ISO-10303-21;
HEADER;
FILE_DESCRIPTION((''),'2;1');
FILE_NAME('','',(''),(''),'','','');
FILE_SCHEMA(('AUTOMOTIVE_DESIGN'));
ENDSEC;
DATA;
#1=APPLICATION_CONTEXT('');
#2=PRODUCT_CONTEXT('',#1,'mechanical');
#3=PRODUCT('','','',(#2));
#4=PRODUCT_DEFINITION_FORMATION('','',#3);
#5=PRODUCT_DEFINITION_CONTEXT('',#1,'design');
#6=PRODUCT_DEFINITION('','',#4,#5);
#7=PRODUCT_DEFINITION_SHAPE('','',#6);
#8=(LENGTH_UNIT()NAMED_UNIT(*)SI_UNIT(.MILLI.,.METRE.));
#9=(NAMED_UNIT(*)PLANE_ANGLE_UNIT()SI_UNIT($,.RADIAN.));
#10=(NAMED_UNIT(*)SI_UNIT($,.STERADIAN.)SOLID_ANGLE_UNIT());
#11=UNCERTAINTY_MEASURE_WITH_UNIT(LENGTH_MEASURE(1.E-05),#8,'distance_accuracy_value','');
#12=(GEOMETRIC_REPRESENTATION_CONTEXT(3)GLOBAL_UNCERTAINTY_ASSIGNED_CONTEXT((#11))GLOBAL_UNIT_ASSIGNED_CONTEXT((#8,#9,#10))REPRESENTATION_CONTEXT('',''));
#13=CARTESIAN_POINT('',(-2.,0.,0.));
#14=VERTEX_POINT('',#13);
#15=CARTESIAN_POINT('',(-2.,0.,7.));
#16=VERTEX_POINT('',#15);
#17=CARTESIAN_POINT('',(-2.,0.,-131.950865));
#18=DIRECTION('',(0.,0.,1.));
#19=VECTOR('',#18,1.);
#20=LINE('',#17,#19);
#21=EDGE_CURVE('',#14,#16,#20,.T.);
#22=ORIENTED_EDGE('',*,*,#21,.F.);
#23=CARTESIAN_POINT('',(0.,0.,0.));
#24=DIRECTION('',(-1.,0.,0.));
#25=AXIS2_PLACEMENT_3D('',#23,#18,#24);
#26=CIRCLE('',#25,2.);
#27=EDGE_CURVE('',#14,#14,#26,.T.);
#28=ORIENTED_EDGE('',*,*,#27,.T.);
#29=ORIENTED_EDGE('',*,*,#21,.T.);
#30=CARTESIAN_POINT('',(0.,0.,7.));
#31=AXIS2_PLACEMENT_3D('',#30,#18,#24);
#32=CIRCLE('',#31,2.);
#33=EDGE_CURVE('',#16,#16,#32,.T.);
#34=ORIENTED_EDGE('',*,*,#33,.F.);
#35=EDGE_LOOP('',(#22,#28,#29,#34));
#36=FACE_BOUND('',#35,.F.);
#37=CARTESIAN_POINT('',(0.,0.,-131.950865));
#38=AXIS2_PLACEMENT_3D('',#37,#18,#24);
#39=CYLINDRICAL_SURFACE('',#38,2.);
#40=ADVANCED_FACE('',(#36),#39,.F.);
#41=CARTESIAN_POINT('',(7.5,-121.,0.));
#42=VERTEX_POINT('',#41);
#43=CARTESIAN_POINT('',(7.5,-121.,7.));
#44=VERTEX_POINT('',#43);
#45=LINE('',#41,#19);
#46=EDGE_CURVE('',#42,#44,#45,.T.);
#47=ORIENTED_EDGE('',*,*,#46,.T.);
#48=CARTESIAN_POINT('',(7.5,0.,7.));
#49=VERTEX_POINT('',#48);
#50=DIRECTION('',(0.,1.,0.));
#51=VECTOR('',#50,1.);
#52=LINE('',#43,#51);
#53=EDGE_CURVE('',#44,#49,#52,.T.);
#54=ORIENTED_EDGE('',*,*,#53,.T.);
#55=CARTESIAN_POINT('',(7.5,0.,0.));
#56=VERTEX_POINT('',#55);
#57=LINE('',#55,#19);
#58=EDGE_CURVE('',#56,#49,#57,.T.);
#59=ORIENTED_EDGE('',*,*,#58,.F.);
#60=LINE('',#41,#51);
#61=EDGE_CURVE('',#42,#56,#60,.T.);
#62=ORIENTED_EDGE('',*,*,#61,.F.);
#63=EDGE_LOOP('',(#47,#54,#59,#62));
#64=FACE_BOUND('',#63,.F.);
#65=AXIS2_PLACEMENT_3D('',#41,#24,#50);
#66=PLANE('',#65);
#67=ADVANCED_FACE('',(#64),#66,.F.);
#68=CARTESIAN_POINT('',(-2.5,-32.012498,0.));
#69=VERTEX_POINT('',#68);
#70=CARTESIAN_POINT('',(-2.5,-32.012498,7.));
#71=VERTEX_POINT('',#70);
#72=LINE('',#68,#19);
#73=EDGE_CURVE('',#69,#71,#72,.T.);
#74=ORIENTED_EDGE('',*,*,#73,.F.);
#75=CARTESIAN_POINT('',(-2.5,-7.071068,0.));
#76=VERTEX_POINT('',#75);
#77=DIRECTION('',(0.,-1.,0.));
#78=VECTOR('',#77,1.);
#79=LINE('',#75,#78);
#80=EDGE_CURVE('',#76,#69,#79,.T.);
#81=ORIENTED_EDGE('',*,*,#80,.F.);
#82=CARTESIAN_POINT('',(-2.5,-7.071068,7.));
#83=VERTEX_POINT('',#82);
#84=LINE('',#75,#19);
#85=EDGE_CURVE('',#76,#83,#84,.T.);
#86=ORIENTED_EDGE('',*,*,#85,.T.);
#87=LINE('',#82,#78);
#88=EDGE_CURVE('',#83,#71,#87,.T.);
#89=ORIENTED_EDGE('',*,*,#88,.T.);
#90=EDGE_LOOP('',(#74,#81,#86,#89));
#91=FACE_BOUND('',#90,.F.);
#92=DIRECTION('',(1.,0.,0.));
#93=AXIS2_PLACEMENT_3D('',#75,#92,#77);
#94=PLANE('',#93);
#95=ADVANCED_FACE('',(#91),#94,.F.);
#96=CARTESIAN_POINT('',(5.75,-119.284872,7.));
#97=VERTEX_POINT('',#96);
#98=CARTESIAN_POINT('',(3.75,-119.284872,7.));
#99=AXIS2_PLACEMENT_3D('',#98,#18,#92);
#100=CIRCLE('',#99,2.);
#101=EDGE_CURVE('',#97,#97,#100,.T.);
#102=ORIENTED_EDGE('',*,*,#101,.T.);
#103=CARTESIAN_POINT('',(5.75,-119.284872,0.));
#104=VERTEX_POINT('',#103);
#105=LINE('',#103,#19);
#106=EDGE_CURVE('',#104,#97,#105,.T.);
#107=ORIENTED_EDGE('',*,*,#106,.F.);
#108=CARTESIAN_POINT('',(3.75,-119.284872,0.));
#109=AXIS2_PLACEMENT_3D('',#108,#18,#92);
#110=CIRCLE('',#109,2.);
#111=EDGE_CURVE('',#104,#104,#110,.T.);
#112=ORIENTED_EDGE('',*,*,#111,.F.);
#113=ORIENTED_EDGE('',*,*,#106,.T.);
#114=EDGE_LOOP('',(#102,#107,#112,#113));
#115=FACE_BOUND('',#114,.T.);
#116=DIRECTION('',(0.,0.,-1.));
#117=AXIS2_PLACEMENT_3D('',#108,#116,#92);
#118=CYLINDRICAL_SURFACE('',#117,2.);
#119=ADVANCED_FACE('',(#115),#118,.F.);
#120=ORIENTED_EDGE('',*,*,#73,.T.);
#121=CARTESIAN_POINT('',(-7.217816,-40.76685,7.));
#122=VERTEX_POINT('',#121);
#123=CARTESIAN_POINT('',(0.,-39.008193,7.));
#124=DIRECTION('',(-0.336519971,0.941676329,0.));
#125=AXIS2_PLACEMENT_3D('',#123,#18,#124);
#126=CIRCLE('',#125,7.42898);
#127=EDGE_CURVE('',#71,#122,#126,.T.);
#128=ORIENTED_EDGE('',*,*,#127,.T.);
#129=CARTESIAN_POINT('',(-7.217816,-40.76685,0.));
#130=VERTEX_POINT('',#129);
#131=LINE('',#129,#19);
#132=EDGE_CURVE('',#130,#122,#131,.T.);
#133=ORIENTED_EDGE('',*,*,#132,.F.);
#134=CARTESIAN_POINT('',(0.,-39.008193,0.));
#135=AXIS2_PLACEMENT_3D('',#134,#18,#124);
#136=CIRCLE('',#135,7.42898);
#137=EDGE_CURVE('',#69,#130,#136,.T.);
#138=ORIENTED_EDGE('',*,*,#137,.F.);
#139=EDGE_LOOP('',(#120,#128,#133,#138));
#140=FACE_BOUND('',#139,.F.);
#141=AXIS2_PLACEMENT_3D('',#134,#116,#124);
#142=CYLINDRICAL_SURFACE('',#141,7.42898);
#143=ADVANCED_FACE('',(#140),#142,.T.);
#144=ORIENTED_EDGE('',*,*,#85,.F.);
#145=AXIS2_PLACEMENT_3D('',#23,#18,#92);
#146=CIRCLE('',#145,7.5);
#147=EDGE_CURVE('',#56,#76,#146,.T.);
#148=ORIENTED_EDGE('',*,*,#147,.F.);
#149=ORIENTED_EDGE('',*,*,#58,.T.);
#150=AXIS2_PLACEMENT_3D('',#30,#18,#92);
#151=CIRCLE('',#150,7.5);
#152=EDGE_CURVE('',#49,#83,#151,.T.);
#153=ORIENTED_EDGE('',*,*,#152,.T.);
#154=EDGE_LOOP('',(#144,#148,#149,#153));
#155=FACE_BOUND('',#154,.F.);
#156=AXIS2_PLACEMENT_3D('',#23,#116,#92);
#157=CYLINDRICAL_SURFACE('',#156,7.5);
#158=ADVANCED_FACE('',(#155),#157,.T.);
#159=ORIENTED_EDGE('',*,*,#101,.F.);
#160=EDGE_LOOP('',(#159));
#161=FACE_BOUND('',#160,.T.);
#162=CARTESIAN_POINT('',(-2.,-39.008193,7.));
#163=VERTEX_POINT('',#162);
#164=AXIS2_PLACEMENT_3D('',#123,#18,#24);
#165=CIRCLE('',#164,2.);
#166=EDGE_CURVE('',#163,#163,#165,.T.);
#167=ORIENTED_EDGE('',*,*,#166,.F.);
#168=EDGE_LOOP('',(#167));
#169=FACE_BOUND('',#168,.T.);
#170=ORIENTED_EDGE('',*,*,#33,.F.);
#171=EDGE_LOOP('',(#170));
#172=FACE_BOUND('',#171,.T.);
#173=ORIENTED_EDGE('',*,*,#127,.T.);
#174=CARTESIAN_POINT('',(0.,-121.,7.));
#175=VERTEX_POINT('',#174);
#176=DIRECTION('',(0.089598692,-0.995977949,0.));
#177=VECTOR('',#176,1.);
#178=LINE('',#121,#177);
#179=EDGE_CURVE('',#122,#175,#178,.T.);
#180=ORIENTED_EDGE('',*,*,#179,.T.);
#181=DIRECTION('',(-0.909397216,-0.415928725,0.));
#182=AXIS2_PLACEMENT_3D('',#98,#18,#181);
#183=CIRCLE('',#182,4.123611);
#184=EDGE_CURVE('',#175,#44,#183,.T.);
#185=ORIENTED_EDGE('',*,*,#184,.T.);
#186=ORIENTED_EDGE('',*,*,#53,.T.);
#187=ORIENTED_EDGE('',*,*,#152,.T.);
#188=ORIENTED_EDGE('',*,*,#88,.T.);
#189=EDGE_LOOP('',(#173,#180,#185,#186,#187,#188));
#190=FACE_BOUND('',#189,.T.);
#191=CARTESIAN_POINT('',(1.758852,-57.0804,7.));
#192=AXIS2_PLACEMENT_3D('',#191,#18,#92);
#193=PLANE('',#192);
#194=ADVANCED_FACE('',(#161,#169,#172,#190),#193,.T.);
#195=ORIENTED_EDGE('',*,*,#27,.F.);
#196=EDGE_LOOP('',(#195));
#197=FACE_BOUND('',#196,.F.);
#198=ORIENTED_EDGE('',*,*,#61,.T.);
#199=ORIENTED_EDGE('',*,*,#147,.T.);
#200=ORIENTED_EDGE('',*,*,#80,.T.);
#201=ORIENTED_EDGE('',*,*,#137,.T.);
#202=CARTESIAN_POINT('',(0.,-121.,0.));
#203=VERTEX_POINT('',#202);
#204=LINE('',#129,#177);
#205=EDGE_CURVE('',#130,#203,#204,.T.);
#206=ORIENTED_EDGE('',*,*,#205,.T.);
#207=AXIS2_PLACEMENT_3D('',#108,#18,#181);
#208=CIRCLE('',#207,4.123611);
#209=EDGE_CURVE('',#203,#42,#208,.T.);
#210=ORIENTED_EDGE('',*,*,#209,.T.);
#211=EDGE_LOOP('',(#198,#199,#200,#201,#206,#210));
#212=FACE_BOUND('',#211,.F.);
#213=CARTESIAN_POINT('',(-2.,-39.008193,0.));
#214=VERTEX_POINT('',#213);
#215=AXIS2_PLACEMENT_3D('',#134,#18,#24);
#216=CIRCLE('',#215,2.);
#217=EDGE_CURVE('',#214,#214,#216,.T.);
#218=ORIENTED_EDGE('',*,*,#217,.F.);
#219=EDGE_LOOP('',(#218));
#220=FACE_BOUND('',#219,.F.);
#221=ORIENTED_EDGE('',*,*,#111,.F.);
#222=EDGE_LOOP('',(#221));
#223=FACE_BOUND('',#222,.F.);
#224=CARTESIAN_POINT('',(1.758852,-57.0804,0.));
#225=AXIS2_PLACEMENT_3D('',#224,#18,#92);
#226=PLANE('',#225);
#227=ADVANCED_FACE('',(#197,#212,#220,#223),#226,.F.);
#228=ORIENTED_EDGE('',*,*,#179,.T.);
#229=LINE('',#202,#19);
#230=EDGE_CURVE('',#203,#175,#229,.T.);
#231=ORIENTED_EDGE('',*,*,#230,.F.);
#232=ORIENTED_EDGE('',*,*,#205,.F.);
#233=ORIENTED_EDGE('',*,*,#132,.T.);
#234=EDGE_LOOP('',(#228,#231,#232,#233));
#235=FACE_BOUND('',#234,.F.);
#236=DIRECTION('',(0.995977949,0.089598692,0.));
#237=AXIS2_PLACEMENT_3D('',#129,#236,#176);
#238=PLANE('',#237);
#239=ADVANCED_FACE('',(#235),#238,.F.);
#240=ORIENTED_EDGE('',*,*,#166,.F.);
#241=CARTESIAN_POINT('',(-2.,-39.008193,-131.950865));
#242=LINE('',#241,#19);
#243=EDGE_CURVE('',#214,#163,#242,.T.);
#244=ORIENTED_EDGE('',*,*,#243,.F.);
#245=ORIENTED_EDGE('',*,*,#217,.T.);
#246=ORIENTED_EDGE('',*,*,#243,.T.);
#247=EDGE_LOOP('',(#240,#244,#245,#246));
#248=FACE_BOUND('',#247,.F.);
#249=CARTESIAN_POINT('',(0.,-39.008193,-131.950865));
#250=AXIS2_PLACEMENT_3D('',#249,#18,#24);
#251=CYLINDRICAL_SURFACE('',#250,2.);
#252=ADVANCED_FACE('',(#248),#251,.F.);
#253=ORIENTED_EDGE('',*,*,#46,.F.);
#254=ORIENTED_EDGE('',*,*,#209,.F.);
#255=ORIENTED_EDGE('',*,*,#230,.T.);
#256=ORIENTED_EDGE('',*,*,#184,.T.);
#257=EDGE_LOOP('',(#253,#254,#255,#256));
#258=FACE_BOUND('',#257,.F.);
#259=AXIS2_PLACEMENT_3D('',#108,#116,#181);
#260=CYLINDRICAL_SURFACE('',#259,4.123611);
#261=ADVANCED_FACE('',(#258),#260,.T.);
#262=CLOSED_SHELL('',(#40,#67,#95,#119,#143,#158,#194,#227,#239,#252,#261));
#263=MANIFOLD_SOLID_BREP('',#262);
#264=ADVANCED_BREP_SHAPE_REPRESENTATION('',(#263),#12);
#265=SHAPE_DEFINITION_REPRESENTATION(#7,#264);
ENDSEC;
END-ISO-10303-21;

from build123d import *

# Parameters (mm, degrees)
F0_R     = 2
F1_DEPTH = 7
F2_D     = 4
F3_D     = 4


with BuildPart() as f1:
    # F0 (on Top) → F1 (new body)
    with BuildSketch(Plane.XY):
        with BuildLine():
            Line((7.5, -41), (7.5, 0))
            ThreePointArc((7.5, 0), (-4.3301270189, 6.123724357), (-2.5, -7.0710678119))
            Line((-2.5, -7.0710678119), (-2.5, -32.0124984811))
            ThreePointArc((-2.5, -32.0124984811), (-6.5397745633, -35.4838365332), (-7.2178157357, -40.7668495526))
            Line((-7.2178157357, -40.7668495526), (0, -121))
            ThreePointArc((0, -121), (3.75, -123.4084825035), (7.5, -121))
            Line((7.5, -121), (7.5, -41))
        make_face()
        with Locations((3.75, -119.2848719021)):
            Circle(F0_R, mode=Mode.SUBTRACT)
    extrude(amount=F1_DEPTH)

    # F2 (through all)
    with Locations(Plane(origin=(0, 0, 0), x_dir=(1, 0, 0), z_dir=(0, 0, -1))):
        with Locations((0, 0)):
            Hole(F2_D / 2)

    # F3 (through all)
    with Locations(Plane(origin=(0, 0, 0), x_dir=(1, 0, 0), z_dir=(0, 0, -1))):
        with Locations((0, 39.008192718)):
            Hole(F3_D / 2)


solid = f1.part
